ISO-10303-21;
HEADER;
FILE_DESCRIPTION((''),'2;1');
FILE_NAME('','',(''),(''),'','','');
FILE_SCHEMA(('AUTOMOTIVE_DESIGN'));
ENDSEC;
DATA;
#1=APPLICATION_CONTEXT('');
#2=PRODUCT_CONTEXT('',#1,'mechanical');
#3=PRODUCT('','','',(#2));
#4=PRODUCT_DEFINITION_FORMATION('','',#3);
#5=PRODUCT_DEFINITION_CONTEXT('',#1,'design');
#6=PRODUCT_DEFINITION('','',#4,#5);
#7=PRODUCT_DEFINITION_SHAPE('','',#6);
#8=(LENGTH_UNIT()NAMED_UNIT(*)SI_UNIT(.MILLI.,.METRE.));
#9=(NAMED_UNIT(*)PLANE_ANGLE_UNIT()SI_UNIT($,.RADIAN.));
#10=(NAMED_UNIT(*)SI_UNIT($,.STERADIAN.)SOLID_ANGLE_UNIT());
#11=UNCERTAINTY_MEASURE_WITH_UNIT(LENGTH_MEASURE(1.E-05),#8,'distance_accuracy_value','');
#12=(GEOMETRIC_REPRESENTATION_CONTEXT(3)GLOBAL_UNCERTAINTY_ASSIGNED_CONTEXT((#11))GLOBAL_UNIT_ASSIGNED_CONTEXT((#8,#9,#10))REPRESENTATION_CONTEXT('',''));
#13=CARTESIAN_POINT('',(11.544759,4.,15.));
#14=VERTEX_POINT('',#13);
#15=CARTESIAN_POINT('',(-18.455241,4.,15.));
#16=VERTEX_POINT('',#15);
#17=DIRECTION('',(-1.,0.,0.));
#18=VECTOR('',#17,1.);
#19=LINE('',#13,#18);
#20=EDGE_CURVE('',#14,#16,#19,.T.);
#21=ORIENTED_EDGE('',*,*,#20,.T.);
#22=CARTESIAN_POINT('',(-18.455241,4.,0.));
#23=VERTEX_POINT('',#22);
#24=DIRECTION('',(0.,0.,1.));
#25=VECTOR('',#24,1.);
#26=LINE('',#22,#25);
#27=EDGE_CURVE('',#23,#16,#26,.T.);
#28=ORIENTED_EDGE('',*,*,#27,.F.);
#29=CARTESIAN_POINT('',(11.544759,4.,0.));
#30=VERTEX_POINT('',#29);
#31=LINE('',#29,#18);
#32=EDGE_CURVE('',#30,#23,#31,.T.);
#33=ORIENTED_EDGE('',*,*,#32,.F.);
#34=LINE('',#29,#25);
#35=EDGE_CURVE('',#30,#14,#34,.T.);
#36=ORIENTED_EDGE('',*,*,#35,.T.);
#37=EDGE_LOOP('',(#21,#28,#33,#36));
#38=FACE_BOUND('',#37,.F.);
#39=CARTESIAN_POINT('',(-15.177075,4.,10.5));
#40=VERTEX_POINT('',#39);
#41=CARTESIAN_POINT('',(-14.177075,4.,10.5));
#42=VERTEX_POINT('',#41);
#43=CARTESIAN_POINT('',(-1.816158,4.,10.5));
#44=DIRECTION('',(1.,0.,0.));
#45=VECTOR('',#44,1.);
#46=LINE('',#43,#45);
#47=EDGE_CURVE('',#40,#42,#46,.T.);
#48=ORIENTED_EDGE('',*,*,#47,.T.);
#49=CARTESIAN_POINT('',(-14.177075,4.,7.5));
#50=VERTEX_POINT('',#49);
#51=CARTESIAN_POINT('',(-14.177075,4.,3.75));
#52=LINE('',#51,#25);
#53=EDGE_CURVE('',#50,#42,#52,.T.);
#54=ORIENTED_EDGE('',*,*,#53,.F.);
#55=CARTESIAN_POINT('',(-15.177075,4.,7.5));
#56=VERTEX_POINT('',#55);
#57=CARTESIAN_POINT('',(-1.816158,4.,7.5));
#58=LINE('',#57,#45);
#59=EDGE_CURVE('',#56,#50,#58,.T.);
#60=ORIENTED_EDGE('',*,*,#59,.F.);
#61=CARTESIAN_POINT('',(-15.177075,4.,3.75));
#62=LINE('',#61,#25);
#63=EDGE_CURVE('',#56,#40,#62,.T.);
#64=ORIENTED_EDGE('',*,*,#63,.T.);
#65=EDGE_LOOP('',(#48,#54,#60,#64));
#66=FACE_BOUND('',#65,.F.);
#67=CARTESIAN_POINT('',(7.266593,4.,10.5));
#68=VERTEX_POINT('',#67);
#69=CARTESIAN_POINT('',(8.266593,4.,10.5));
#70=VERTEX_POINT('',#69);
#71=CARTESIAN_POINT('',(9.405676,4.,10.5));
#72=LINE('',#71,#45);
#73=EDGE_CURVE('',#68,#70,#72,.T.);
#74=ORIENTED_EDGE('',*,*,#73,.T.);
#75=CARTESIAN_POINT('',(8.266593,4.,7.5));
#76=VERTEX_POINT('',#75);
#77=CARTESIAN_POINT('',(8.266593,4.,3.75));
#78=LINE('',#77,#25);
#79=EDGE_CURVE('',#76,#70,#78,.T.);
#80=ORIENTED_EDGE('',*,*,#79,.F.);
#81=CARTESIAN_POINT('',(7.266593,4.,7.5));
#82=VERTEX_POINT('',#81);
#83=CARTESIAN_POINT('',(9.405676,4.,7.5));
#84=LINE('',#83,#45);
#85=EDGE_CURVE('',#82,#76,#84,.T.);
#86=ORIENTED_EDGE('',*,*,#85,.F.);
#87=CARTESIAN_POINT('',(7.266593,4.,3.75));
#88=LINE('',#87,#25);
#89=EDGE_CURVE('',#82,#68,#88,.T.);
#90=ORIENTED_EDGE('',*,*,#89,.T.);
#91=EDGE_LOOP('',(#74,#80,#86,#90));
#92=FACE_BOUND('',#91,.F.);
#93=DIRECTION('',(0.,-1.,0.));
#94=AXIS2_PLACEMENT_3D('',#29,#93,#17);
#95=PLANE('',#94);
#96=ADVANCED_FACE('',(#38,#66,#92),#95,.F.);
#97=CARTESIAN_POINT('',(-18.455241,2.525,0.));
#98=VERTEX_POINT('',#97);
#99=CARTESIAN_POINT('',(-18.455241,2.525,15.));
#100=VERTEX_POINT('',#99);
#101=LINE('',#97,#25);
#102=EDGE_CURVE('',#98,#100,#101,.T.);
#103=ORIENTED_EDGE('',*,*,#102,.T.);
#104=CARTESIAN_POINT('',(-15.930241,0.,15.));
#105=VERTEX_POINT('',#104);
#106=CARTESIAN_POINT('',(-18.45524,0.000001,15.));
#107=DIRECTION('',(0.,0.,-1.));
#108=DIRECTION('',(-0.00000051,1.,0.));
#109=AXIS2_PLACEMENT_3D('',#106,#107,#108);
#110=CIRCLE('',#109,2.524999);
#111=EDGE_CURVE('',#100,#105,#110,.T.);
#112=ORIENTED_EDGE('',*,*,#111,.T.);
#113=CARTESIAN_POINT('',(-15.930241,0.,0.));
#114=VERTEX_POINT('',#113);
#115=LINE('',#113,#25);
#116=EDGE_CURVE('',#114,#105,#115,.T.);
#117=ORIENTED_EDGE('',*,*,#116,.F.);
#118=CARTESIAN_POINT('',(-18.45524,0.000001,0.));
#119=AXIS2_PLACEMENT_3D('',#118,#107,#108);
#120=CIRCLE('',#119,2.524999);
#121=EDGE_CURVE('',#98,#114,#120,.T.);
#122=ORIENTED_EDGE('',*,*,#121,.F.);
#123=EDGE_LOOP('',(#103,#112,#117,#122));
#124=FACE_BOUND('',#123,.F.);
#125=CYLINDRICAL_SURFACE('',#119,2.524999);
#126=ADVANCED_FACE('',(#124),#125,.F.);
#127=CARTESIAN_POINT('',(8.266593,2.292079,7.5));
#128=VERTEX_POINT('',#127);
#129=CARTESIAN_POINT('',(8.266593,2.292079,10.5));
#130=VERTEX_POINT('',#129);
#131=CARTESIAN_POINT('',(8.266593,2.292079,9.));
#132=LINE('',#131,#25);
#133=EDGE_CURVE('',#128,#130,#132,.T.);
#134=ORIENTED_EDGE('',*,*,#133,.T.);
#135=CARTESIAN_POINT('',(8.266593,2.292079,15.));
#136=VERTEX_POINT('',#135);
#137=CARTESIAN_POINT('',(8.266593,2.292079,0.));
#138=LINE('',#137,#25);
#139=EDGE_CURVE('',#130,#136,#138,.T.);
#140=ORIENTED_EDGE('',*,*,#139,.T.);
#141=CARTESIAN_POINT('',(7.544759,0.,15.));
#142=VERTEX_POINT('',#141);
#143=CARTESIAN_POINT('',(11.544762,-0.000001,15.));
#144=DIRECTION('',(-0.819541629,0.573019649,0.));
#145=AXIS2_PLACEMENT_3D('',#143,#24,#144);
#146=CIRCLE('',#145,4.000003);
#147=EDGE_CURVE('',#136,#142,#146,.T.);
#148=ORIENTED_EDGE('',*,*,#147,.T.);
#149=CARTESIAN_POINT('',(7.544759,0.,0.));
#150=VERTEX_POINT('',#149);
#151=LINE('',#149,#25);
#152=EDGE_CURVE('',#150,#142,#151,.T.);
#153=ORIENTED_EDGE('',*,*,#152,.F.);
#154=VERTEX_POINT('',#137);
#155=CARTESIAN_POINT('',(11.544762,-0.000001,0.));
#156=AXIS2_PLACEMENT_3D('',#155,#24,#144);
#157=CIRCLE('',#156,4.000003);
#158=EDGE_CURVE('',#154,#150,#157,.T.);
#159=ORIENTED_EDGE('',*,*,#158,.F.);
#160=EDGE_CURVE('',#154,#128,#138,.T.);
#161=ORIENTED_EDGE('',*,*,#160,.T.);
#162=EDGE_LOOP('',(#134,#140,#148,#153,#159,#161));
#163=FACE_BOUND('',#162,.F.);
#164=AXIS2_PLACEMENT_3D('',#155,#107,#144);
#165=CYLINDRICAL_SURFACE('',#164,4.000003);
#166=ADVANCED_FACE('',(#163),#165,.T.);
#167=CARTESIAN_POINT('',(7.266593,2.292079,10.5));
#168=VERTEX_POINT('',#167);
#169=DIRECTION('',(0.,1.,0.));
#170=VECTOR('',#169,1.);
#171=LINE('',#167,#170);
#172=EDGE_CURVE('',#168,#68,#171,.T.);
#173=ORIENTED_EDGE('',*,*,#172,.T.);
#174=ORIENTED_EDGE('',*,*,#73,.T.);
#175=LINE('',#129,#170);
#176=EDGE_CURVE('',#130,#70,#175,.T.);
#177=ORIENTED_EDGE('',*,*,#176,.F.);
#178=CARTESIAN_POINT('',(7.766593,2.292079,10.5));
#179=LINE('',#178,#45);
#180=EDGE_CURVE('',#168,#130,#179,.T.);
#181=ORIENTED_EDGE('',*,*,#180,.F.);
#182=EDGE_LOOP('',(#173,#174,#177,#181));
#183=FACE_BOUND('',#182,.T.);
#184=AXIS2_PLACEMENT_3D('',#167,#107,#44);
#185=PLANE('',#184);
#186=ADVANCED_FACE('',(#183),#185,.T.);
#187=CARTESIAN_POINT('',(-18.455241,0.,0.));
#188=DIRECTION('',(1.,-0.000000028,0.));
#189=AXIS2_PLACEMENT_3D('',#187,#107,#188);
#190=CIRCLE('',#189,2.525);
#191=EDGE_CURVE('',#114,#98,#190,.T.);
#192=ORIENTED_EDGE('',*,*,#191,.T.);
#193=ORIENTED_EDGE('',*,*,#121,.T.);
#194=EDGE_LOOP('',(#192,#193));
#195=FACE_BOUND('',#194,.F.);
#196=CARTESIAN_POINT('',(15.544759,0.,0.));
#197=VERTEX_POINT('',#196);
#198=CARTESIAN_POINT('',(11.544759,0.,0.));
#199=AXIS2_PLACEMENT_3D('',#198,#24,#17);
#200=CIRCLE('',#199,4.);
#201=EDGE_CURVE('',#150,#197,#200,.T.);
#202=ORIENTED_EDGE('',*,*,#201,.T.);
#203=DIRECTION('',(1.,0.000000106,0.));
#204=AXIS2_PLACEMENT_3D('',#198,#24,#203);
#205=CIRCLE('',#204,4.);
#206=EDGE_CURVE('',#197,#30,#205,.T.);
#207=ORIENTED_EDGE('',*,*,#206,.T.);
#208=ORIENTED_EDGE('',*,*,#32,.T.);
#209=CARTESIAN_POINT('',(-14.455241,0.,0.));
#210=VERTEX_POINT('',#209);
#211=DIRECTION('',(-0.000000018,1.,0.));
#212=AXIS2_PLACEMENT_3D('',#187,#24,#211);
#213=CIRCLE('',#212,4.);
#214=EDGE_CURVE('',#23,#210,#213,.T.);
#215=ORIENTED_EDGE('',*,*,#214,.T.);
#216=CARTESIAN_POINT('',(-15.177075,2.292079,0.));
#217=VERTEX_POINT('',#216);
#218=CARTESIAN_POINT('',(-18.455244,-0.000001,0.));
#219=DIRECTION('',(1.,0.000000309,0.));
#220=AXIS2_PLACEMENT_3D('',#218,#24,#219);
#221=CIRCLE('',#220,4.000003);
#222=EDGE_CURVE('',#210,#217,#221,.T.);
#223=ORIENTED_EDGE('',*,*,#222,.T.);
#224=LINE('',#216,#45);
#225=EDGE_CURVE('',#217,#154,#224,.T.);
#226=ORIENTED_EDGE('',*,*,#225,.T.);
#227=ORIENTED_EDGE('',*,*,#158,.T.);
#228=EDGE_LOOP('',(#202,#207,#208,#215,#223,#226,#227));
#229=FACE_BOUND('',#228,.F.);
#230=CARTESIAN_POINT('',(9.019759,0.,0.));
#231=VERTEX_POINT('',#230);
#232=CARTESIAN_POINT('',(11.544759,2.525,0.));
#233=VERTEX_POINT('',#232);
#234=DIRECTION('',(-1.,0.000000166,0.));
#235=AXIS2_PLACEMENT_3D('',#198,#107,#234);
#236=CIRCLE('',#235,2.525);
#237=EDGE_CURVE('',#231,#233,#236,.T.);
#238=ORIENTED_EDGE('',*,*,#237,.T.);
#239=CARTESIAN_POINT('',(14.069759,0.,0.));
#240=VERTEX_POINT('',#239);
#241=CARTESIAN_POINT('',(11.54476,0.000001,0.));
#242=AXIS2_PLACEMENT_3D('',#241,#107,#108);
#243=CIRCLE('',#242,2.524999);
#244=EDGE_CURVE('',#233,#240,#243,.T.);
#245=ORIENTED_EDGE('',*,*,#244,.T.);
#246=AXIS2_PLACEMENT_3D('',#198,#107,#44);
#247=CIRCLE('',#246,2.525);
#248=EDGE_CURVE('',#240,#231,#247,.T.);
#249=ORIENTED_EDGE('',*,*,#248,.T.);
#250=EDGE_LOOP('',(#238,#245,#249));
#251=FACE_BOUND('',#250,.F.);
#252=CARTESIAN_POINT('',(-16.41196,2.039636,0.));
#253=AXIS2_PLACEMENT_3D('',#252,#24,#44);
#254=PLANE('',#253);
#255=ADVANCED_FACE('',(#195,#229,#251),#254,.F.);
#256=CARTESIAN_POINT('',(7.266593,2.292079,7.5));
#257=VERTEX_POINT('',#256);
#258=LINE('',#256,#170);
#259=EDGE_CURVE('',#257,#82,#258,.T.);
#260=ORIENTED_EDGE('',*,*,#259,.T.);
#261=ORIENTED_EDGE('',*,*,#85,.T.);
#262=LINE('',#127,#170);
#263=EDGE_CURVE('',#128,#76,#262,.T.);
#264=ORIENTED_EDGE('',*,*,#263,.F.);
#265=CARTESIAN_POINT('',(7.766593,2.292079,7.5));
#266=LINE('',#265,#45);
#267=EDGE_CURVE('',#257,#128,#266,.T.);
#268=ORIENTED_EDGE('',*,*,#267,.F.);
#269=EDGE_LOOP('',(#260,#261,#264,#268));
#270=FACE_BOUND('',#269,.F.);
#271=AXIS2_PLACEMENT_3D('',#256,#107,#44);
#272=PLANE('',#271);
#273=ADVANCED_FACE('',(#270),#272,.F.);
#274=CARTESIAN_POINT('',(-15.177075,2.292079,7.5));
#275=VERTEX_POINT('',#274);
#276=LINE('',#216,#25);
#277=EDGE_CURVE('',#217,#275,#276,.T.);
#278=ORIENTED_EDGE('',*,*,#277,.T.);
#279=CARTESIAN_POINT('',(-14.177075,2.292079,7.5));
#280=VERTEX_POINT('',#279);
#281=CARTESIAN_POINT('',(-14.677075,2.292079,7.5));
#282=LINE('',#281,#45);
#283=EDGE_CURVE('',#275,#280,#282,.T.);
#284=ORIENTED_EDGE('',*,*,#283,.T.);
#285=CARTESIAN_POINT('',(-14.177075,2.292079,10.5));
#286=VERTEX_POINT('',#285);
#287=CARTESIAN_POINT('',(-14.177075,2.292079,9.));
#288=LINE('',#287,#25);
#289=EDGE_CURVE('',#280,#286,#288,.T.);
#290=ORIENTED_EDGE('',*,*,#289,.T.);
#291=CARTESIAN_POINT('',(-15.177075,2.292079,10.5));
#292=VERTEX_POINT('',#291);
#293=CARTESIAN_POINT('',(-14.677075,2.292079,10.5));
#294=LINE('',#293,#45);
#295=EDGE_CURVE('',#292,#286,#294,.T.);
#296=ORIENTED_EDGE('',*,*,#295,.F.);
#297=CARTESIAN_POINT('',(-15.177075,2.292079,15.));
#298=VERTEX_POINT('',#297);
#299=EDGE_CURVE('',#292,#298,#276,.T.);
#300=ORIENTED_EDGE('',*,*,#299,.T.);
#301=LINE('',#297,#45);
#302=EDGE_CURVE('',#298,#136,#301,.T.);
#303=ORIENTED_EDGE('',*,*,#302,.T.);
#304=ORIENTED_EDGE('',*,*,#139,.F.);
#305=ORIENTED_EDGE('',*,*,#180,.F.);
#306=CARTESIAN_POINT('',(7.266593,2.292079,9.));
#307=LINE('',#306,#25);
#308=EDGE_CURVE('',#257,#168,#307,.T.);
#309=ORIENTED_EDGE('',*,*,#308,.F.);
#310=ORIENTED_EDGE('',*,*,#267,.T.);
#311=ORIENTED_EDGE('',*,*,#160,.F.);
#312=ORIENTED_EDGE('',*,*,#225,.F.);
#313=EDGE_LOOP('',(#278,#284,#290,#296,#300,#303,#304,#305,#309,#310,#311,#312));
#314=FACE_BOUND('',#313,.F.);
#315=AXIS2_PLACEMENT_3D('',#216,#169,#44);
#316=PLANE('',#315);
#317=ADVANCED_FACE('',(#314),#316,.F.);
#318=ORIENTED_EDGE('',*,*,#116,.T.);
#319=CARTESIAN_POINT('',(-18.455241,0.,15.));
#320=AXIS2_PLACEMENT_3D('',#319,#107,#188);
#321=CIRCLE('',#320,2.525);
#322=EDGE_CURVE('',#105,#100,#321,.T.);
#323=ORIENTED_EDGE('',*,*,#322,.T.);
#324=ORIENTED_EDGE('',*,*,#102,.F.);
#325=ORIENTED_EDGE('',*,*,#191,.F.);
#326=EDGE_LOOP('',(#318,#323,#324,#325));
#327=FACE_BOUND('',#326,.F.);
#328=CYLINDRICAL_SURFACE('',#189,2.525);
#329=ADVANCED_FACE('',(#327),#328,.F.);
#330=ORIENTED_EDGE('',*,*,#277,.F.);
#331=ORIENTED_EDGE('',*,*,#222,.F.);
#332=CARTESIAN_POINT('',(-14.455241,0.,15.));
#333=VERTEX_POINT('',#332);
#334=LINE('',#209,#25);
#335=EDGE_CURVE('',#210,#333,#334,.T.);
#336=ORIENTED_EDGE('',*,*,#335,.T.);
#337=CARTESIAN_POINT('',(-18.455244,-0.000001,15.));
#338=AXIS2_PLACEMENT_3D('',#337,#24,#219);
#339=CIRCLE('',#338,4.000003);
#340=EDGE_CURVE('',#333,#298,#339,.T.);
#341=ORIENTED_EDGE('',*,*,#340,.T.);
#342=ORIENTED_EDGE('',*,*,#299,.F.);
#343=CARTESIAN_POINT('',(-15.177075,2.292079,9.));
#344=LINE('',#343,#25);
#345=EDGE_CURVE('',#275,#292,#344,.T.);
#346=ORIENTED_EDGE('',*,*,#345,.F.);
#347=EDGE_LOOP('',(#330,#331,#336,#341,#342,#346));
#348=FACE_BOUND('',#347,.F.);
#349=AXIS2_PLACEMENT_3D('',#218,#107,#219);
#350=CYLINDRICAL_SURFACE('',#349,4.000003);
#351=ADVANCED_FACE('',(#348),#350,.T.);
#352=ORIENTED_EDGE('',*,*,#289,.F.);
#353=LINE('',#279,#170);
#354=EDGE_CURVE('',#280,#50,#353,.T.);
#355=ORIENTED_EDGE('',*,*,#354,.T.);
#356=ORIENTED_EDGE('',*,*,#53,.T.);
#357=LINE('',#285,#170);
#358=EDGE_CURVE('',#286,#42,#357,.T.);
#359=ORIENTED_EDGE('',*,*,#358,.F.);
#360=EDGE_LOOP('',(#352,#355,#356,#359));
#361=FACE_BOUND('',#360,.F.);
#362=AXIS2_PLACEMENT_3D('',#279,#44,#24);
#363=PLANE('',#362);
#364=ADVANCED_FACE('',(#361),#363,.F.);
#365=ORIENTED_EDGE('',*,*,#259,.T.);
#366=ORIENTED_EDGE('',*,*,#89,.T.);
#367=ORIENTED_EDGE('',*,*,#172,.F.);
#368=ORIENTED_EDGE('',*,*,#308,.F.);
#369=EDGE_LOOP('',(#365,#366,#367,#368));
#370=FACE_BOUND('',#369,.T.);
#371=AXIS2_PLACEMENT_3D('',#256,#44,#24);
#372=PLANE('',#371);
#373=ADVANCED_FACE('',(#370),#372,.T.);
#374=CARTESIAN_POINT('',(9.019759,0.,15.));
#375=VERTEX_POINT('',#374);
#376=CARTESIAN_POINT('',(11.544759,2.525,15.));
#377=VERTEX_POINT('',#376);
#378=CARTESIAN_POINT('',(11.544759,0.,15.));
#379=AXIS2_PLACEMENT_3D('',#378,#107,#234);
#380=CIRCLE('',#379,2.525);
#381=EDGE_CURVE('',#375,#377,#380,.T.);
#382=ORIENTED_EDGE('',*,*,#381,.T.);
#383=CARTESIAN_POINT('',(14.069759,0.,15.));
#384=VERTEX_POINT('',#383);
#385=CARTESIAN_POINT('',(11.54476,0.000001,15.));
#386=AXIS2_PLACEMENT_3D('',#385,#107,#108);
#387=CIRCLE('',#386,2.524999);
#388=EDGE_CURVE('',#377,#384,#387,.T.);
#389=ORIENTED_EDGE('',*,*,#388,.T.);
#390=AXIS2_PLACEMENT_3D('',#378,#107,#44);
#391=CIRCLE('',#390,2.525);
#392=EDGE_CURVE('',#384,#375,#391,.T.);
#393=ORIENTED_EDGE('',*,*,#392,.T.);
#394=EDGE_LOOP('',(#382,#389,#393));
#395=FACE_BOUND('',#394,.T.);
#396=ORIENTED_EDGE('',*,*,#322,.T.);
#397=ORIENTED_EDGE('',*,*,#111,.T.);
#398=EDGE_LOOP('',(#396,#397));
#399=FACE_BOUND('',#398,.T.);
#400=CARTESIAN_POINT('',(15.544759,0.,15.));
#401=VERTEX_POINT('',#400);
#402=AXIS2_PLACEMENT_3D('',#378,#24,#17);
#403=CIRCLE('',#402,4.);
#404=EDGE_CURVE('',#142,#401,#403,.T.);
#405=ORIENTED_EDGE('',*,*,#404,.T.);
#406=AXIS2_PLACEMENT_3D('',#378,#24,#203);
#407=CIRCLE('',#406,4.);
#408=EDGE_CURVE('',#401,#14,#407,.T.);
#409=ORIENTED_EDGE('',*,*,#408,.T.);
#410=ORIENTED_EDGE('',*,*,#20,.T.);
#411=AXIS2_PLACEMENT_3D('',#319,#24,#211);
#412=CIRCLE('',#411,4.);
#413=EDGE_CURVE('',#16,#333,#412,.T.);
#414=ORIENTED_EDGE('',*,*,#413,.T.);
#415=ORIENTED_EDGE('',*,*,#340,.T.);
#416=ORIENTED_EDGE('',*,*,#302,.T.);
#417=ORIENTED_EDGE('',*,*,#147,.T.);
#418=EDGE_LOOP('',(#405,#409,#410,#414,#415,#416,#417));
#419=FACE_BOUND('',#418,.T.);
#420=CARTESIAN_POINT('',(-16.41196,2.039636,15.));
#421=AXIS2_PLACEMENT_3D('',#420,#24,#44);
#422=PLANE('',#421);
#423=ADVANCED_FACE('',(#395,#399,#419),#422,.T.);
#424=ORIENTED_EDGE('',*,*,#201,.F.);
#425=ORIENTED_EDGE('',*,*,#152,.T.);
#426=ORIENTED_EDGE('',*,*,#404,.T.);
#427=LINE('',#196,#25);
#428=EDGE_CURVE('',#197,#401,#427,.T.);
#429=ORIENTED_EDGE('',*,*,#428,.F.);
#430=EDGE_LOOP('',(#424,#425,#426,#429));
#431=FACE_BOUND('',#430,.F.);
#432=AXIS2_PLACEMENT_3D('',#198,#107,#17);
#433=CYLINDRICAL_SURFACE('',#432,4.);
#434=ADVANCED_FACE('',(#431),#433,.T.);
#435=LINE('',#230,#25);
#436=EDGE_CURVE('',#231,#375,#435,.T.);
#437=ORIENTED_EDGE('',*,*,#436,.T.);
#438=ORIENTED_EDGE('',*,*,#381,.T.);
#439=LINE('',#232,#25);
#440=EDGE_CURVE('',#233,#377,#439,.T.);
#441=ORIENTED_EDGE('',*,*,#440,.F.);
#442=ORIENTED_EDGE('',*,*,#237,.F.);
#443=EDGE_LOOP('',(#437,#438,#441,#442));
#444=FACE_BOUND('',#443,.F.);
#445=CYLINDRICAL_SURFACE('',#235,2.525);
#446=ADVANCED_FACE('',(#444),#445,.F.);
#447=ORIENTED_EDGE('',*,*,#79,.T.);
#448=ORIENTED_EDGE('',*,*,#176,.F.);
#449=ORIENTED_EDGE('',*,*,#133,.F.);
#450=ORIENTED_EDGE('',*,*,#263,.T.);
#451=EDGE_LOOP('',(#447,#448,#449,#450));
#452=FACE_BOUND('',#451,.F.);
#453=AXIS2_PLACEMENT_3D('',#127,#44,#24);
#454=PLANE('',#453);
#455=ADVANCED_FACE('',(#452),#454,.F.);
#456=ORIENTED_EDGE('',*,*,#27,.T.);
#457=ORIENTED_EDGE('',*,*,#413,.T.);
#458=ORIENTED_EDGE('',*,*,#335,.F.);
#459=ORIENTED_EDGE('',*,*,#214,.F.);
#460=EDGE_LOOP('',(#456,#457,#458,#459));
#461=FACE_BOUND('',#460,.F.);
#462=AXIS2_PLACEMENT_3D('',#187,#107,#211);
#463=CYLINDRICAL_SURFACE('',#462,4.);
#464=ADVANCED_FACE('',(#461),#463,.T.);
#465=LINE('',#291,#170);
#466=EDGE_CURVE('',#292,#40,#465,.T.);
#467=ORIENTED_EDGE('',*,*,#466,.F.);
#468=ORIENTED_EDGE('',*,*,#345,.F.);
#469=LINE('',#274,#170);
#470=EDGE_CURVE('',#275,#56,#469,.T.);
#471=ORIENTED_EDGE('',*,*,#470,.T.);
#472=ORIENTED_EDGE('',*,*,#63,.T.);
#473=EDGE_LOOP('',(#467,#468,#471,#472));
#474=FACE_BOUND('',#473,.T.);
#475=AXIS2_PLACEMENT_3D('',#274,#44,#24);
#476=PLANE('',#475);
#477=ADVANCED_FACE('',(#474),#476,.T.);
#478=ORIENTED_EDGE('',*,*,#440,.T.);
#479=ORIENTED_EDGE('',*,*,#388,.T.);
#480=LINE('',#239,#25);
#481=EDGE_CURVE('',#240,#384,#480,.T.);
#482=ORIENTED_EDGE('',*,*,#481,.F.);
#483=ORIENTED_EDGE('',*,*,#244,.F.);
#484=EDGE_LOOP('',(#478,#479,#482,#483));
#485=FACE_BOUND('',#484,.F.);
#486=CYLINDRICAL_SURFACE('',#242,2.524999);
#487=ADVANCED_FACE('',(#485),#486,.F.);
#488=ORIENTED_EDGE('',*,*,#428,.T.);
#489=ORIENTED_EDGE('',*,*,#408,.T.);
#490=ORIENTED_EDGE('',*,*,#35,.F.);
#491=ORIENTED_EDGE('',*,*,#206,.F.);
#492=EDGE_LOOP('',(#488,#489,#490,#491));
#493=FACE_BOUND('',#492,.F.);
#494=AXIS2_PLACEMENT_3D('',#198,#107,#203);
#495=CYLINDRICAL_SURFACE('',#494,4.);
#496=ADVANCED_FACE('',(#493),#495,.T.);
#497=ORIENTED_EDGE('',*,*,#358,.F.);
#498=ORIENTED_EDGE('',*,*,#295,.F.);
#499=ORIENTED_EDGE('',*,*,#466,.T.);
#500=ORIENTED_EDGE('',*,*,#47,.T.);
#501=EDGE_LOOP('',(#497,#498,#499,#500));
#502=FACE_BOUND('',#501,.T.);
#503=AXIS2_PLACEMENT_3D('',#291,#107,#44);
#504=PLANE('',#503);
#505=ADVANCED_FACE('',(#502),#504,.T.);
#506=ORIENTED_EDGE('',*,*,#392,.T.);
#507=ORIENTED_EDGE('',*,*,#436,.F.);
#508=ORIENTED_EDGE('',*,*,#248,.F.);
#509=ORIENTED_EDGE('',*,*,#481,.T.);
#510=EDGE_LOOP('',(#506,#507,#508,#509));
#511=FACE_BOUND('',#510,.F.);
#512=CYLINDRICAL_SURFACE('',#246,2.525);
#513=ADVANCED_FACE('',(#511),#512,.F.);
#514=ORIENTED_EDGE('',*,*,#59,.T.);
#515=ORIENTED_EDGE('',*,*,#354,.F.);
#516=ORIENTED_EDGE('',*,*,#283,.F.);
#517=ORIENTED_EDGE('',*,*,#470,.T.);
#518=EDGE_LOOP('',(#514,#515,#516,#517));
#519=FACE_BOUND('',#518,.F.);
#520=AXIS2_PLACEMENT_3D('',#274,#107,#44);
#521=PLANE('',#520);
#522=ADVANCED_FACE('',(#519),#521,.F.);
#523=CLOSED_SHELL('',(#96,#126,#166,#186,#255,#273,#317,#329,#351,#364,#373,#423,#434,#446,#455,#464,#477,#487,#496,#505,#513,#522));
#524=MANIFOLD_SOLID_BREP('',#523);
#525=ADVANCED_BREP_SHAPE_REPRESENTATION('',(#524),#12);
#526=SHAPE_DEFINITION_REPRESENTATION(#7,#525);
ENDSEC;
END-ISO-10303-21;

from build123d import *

# Parameters (mm, degrees)
F1_DEPTH = 15
F2_W     = 1
F2_H     = 3
F3_DEPTH = 25


with BuildPart() as f1:
    # F0 (on Top) → F1 (new body)
    with BuildSketch(Plane.XY):
        with BuildLine():
            ThreePointArc((-18.455241, 2.525), (-16.669796, 1.785445), (-15.930241, 0))
            Line((-15.930241, 0), (-14.455241, 0))
            ThreePointArc((-14.455241, 0), (-14.639965, 1.201527), (-15.177075, 2.292079))
            ThreePointArc((-15.177075, 2.292079), (-16.607041, 3.547416), (-18.455241, 4))
            Line((-18.455241, 4), (-18.455241, 2.525))
        make_face()
        with BuildLine():
            Line((11.544759, 2.525), (11.544759, 4))
            ThreePointArc((11.544759, 4), (9.69656, 3.547416), (8.266593, 2.292079))
            ThreePointArc((8.266593, 2.292079), (7.729483, 1.201527), (7.544759, 0))
            Line((7.544759, 0), (9.019759, 0))
            ThreePointArc((9.019759, 0), (9.759315, 1.785445), (11.544759, 2.525))
        make_face()
        with BuildLine():
            Line((-14.455241, 0), (-15.930241, 0))
            ThreePointArc((-15.930241, 0), (-20.240685, -1.785445), (-18.455241, 2.525))
            Line((-18.455241, 2.525), (-18.455241, 4))
            ThreePointArc((-18.455241, 4), (-21.283668, -2.828427), (-14.455241, 0))
        make_face()
        with BuildLine():
            ThreePointArc((15.544759, 0), (14.373186, 2.828427), (11.544759, 4))
            Line((11.544759, 4), (11.544759, 2.525))
            ThreePointArc((11.544759, 2.525), (13.330204, 1.785445), (14.069759, 0))
            ThreePointArc((14.069759, 0), (11.544759, -2.525), (9.019759, 0))
            Line((9.019759, 0), (7.544759, 0))
            ThreePointArc((7.544759, 0), (11.544759, -4), (15.544759, 0))
        make_face()
        with BuildLine():
            Line((11.544759, 4), (-18.455241, 4))
            ThreePointArc((-18.455241, 4), (-16.607041, 3.547416), (-15.177075, 2.292079))
            Line((-15.177075, 2.292079), (-12.304623, 2.292079))
            Line((-12.304623, 2.292079), (6.274519, 2.292079))
            Line((6.274519, 2.292079), (8.266593, 2.292079))
            ThreePointArc((8.266593, 2.292079), (9.69656, 3.547416), (11.544759, 4))
        make_face()
    extrude(amount=F1_DEPTH)

    # F2 (on face) → F3 (cut)
    with BuildSketch(Plane.XZ.offset(-2.292079)):
        with Locations((-14.677075, 9)):
            Rectangle(F2_W, F2_H)
        with Locations((7.766593, 9)):
            Rectangle(F2_W, F2_H)
    extrude(amount=-F3_DEPTH, mode=Mode.SUBTRACT)


solid = f1.part
